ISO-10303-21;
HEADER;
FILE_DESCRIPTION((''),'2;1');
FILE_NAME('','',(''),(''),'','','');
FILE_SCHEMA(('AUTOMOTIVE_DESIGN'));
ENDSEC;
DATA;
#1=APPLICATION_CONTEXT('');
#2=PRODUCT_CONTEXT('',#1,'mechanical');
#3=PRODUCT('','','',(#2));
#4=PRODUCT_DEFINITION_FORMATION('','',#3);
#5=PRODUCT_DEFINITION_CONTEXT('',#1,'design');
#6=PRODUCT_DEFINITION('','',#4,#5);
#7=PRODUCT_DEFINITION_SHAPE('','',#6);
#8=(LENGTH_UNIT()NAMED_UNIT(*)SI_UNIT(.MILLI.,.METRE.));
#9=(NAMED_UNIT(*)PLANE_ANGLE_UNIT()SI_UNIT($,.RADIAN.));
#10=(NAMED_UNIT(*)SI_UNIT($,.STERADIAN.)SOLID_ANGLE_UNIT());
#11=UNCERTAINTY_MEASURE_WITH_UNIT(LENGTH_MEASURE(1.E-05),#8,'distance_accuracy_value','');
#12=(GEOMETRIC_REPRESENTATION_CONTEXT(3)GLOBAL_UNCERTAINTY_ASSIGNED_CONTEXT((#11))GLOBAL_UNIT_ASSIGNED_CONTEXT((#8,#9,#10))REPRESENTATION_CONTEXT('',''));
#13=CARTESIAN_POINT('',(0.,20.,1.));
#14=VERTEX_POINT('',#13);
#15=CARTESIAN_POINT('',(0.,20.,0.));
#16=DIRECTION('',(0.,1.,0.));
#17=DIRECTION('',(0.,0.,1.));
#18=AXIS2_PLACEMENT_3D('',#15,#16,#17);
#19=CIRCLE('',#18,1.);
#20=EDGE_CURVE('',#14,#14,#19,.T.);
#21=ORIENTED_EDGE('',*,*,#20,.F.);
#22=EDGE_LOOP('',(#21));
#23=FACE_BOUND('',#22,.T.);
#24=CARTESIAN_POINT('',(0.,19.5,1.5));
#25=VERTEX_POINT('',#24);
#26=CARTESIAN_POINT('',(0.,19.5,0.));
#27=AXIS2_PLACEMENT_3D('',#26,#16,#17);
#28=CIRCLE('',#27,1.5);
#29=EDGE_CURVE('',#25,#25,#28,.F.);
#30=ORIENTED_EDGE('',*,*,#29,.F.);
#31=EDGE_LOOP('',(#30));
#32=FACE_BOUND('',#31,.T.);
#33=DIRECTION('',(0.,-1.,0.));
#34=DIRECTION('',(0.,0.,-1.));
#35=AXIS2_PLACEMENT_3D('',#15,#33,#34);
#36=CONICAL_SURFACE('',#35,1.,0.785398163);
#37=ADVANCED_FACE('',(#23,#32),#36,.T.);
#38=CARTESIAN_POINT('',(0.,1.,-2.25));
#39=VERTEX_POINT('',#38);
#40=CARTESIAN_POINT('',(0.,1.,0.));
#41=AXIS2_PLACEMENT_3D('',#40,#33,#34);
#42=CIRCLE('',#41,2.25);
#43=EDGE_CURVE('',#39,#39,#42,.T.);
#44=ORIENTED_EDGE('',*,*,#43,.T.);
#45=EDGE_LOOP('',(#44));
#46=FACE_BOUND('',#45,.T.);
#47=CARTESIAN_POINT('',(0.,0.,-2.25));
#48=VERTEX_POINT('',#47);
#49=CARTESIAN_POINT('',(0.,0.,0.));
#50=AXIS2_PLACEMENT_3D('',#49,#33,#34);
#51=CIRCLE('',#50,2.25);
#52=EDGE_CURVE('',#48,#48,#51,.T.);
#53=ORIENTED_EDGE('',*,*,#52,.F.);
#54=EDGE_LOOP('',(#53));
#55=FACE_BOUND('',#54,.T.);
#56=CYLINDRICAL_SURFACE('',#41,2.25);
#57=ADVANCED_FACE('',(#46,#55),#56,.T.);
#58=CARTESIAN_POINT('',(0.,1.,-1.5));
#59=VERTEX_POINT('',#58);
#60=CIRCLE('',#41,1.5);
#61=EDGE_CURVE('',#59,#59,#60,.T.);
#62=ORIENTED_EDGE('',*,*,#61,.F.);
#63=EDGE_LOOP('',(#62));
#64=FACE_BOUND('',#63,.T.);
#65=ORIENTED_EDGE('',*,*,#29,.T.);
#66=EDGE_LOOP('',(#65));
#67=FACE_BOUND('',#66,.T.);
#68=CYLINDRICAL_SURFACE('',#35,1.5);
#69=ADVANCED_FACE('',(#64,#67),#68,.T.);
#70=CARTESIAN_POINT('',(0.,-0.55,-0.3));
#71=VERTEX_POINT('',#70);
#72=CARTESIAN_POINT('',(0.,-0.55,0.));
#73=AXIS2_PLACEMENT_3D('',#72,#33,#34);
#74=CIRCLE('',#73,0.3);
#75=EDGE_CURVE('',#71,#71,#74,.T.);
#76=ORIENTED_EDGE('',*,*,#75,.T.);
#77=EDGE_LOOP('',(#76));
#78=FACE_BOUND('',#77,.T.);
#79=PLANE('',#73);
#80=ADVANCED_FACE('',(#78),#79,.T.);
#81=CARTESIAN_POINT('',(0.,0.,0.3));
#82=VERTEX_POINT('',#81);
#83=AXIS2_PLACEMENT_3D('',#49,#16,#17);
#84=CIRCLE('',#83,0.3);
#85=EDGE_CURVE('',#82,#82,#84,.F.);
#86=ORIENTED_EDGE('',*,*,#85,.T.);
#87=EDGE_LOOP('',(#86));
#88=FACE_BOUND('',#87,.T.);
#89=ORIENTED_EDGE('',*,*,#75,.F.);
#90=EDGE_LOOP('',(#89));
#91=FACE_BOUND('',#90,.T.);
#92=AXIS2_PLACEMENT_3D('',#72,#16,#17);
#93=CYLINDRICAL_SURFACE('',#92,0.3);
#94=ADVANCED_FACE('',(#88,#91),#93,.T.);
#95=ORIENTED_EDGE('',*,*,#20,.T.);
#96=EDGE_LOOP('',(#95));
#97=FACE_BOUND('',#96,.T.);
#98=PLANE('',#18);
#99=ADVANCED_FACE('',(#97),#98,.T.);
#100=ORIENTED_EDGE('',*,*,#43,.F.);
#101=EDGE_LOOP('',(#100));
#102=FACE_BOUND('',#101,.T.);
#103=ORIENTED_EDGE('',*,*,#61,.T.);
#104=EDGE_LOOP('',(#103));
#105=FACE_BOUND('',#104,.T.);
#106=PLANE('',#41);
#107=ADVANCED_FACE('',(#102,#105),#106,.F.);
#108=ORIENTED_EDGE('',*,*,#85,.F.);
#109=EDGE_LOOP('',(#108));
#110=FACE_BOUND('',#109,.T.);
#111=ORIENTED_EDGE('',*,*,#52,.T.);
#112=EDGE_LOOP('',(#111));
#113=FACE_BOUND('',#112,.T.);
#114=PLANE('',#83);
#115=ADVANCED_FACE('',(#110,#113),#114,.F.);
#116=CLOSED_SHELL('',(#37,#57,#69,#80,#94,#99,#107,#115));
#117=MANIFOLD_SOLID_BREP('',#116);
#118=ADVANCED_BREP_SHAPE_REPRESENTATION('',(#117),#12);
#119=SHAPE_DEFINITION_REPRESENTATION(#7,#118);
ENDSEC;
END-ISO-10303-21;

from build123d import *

# Parameters (mm, degrees)
SKETCH_1_R      = 1.5
EXTRUDE_1_DEPTH = 20
CHAMFER_1_SIZE  = 0.5
SKETCH_2_R      = 2.25
EXTRUDE_2_DEPTH = 1
SKETCH_3_R      = 0.3
EXTRUDE_3_DEPTH = 0.55


with BuildPart() as part:
    # Эскиз1 → Вытянуть1 (new body)
    with BuildSketch(Plane(origin=(0, 0, 0), x_dir=(1, 0, 0), z_dir=(0, 1, 0))):
        with Locations(Location((0, 0, 0), (0, 0, 270))):
            Circle(SKETCH_1_R)
    extrude(amount=EXTRUDE_1_DEPTH)

    # Фаска1
    chamfer_1_edges = [part.edges().sort_by_distance(p)[0] for p in [
        (0, 20, -1.5),
    ]]
    chamfer(chamfer_1_edges, length=CHAMFER_1_SIZE)

    # Эскиз2 → Вытянуть2 (add)
    with BuildSketch(Plane.XZ):
        with Locations(Location((0, 0, 0), (0, 0, 270))):
            Circle(SKETCH_2_R)
    extrude(amount=-EXTRUDE_2_DEPTH)

    # Эскиз3 → Вытянуть3 (add)
    with BuildSketch(Plane.XZ):
        with Locations(Location((0, 0, 0), (0, 0, 90))):
            Circle(SKETCH_3_R)
    extrude(amount=EXTRUDE_3_DEPTH)


solid = part.part
